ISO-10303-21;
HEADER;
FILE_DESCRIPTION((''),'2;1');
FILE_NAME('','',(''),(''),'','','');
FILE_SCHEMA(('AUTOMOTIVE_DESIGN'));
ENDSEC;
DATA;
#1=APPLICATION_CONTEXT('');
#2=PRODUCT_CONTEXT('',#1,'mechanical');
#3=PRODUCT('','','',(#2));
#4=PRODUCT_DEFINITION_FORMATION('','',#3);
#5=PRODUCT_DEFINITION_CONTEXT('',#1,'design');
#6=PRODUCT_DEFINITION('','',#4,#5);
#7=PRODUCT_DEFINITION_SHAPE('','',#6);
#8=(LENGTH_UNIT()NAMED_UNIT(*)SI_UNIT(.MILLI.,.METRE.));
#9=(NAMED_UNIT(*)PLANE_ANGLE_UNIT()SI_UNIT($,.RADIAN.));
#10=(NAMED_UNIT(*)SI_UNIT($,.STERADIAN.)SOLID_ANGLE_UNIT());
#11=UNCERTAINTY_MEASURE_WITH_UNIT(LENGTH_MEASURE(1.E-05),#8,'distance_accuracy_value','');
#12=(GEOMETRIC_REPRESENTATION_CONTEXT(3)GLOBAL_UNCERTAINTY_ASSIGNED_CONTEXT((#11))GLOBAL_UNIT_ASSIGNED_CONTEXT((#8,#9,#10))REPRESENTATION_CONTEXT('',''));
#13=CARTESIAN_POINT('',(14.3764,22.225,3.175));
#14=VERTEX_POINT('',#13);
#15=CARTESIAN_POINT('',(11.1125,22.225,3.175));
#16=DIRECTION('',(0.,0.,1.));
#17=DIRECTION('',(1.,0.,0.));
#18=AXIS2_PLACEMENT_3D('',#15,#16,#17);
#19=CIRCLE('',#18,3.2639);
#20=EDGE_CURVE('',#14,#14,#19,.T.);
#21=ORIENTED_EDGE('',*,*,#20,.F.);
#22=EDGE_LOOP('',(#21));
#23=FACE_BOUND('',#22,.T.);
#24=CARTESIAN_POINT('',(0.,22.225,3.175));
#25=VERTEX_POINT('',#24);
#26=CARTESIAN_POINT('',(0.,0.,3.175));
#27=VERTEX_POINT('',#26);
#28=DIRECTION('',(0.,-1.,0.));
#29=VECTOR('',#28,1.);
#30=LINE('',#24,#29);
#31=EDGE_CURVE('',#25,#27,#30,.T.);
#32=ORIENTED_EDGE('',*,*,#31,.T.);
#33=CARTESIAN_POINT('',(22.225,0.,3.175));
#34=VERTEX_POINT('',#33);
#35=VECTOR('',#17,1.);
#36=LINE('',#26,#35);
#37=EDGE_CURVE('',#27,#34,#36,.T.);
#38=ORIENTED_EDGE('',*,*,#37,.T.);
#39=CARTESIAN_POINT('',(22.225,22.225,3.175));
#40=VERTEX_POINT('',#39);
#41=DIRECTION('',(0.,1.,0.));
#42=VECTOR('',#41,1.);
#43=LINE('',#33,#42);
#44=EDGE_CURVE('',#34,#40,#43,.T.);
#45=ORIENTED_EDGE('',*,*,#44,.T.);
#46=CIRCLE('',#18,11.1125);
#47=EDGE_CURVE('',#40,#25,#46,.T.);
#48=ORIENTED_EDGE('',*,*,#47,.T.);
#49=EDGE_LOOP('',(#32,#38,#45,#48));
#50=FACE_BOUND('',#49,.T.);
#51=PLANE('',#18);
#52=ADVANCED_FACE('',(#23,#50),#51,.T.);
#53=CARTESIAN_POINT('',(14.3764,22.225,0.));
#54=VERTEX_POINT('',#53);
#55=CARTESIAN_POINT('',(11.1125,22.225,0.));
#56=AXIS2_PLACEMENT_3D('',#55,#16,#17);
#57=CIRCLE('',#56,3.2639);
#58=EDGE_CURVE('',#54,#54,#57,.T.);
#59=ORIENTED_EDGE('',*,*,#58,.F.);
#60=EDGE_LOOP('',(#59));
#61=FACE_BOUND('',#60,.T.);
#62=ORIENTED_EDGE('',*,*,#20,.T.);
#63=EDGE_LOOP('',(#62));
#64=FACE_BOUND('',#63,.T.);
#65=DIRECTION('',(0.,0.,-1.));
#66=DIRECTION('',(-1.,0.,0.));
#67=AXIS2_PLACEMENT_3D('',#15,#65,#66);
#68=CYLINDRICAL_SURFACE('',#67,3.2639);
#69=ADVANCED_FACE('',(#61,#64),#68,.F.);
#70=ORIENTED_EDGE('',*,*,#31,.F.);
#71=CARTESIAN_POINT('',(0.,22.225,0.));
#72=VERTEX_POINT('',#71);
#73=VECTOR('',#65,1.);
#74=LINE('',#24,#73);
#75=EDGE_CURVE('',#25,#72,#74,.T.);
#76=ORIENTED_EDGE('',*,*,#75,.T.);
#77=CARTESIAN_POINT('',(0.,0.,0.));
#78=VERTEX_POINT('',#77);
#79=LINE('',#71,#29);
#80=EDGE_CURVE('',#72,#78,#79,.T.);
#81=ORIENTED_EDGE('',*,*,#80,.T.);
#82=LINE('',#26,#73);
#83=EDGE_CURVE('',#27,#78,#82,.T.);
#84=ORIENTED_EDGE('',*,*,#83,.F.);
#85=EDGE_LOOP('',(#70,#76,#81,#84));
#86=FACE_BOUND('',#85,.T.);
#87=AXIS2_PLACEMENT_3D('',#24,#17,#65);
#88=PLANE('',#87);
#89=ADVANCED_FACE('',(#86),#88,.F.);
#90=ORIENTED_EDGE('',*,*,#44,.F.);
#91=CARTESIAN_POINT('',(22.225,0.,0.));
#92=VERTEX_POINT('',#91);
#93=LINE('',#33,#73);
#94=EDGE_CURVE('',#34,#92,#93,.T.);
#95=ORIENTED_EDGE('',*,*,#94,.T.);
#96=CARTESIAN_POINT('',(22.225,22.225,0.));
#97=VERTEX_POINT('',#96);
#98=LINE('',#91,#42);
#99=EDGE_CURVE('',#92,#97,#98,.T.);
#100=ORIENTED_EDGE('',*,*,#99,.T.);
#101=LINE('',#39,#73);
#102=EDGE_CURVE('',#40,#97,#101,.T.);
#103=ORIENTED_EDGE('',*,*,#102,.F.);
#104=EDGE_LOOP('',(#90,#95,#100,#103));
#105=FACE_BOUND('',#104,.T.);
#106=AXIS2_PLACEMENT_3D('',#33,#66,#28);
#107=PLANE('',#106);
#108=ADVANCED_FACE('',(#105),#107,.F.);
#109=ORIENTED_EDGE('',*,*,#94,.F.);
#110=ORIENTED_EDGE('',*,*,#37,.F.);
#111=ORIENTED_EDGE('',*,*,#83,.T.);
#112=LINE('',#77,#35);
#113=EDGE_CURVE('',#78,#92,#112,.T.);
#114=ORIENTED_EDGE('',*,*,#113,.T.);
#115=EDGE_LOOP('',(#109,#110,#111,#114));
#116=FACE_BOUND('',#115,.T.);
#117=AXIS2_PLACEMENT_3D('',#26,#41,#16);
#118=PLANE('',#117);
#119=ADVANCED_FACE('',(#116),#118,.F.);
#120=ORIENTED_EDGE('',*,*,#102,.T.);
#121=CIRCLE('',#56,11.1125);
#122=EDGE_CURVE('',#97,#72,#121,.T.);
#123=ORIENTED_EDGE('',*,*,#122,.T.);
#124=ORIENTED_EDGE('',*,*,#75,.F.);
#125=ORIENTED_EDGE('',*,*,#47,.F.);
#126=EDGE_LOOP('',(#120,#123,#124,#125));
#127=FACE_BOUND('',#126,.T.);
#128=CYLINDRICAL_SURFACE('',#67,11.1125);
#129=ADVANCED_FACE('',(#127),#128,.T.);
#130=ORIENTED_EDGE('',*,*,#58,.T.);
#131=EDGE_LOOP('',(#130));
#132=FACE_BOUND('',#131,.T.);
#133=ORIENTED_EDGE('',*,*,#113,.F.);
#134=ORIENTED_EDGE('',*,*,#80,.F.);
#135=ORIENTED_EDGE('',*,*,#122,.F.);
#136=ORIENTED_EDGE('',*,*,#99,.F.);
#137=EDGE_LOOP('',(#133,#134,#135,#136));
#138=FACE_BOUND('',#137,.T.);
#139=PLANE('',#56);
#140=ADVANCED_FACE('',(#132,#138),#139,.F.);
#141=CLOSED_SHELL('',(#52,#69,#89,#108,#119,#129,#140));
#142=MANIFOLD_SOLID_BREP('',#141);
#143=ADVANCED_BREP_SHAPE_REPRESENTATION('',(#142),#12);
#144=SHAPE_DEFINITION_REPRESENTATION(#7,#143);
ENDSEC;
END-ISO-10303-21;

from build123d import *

# Parameters (mm, degrees)
SKETCH1_R           = 3.2639
BOSS_EXTRUDE1_DEPTH = 3.175


with BuildPart() as part:
    # Sketch1 → Boss-Extrude1 (new body)
    with BuildSketch(Plane.XY):
        with BuildLine():
            Line((0, 0), (22.225, 0))
            Line((22.225, 0), (22.225, 22.225))
            ThreePointArc((22.225, 22.225), (11.1125, 33.3375), (0, 22.225))
            Line((0, 22.225), (0, 0))
        make_face()
        with Locations((11.1125, 22.225)):
            Circle(SKETCH1_R, mode=Mode.SUBTRACT)
    extrude(amount=BOSS_EXTRUDE1_DEPTH)


solid = part.part
